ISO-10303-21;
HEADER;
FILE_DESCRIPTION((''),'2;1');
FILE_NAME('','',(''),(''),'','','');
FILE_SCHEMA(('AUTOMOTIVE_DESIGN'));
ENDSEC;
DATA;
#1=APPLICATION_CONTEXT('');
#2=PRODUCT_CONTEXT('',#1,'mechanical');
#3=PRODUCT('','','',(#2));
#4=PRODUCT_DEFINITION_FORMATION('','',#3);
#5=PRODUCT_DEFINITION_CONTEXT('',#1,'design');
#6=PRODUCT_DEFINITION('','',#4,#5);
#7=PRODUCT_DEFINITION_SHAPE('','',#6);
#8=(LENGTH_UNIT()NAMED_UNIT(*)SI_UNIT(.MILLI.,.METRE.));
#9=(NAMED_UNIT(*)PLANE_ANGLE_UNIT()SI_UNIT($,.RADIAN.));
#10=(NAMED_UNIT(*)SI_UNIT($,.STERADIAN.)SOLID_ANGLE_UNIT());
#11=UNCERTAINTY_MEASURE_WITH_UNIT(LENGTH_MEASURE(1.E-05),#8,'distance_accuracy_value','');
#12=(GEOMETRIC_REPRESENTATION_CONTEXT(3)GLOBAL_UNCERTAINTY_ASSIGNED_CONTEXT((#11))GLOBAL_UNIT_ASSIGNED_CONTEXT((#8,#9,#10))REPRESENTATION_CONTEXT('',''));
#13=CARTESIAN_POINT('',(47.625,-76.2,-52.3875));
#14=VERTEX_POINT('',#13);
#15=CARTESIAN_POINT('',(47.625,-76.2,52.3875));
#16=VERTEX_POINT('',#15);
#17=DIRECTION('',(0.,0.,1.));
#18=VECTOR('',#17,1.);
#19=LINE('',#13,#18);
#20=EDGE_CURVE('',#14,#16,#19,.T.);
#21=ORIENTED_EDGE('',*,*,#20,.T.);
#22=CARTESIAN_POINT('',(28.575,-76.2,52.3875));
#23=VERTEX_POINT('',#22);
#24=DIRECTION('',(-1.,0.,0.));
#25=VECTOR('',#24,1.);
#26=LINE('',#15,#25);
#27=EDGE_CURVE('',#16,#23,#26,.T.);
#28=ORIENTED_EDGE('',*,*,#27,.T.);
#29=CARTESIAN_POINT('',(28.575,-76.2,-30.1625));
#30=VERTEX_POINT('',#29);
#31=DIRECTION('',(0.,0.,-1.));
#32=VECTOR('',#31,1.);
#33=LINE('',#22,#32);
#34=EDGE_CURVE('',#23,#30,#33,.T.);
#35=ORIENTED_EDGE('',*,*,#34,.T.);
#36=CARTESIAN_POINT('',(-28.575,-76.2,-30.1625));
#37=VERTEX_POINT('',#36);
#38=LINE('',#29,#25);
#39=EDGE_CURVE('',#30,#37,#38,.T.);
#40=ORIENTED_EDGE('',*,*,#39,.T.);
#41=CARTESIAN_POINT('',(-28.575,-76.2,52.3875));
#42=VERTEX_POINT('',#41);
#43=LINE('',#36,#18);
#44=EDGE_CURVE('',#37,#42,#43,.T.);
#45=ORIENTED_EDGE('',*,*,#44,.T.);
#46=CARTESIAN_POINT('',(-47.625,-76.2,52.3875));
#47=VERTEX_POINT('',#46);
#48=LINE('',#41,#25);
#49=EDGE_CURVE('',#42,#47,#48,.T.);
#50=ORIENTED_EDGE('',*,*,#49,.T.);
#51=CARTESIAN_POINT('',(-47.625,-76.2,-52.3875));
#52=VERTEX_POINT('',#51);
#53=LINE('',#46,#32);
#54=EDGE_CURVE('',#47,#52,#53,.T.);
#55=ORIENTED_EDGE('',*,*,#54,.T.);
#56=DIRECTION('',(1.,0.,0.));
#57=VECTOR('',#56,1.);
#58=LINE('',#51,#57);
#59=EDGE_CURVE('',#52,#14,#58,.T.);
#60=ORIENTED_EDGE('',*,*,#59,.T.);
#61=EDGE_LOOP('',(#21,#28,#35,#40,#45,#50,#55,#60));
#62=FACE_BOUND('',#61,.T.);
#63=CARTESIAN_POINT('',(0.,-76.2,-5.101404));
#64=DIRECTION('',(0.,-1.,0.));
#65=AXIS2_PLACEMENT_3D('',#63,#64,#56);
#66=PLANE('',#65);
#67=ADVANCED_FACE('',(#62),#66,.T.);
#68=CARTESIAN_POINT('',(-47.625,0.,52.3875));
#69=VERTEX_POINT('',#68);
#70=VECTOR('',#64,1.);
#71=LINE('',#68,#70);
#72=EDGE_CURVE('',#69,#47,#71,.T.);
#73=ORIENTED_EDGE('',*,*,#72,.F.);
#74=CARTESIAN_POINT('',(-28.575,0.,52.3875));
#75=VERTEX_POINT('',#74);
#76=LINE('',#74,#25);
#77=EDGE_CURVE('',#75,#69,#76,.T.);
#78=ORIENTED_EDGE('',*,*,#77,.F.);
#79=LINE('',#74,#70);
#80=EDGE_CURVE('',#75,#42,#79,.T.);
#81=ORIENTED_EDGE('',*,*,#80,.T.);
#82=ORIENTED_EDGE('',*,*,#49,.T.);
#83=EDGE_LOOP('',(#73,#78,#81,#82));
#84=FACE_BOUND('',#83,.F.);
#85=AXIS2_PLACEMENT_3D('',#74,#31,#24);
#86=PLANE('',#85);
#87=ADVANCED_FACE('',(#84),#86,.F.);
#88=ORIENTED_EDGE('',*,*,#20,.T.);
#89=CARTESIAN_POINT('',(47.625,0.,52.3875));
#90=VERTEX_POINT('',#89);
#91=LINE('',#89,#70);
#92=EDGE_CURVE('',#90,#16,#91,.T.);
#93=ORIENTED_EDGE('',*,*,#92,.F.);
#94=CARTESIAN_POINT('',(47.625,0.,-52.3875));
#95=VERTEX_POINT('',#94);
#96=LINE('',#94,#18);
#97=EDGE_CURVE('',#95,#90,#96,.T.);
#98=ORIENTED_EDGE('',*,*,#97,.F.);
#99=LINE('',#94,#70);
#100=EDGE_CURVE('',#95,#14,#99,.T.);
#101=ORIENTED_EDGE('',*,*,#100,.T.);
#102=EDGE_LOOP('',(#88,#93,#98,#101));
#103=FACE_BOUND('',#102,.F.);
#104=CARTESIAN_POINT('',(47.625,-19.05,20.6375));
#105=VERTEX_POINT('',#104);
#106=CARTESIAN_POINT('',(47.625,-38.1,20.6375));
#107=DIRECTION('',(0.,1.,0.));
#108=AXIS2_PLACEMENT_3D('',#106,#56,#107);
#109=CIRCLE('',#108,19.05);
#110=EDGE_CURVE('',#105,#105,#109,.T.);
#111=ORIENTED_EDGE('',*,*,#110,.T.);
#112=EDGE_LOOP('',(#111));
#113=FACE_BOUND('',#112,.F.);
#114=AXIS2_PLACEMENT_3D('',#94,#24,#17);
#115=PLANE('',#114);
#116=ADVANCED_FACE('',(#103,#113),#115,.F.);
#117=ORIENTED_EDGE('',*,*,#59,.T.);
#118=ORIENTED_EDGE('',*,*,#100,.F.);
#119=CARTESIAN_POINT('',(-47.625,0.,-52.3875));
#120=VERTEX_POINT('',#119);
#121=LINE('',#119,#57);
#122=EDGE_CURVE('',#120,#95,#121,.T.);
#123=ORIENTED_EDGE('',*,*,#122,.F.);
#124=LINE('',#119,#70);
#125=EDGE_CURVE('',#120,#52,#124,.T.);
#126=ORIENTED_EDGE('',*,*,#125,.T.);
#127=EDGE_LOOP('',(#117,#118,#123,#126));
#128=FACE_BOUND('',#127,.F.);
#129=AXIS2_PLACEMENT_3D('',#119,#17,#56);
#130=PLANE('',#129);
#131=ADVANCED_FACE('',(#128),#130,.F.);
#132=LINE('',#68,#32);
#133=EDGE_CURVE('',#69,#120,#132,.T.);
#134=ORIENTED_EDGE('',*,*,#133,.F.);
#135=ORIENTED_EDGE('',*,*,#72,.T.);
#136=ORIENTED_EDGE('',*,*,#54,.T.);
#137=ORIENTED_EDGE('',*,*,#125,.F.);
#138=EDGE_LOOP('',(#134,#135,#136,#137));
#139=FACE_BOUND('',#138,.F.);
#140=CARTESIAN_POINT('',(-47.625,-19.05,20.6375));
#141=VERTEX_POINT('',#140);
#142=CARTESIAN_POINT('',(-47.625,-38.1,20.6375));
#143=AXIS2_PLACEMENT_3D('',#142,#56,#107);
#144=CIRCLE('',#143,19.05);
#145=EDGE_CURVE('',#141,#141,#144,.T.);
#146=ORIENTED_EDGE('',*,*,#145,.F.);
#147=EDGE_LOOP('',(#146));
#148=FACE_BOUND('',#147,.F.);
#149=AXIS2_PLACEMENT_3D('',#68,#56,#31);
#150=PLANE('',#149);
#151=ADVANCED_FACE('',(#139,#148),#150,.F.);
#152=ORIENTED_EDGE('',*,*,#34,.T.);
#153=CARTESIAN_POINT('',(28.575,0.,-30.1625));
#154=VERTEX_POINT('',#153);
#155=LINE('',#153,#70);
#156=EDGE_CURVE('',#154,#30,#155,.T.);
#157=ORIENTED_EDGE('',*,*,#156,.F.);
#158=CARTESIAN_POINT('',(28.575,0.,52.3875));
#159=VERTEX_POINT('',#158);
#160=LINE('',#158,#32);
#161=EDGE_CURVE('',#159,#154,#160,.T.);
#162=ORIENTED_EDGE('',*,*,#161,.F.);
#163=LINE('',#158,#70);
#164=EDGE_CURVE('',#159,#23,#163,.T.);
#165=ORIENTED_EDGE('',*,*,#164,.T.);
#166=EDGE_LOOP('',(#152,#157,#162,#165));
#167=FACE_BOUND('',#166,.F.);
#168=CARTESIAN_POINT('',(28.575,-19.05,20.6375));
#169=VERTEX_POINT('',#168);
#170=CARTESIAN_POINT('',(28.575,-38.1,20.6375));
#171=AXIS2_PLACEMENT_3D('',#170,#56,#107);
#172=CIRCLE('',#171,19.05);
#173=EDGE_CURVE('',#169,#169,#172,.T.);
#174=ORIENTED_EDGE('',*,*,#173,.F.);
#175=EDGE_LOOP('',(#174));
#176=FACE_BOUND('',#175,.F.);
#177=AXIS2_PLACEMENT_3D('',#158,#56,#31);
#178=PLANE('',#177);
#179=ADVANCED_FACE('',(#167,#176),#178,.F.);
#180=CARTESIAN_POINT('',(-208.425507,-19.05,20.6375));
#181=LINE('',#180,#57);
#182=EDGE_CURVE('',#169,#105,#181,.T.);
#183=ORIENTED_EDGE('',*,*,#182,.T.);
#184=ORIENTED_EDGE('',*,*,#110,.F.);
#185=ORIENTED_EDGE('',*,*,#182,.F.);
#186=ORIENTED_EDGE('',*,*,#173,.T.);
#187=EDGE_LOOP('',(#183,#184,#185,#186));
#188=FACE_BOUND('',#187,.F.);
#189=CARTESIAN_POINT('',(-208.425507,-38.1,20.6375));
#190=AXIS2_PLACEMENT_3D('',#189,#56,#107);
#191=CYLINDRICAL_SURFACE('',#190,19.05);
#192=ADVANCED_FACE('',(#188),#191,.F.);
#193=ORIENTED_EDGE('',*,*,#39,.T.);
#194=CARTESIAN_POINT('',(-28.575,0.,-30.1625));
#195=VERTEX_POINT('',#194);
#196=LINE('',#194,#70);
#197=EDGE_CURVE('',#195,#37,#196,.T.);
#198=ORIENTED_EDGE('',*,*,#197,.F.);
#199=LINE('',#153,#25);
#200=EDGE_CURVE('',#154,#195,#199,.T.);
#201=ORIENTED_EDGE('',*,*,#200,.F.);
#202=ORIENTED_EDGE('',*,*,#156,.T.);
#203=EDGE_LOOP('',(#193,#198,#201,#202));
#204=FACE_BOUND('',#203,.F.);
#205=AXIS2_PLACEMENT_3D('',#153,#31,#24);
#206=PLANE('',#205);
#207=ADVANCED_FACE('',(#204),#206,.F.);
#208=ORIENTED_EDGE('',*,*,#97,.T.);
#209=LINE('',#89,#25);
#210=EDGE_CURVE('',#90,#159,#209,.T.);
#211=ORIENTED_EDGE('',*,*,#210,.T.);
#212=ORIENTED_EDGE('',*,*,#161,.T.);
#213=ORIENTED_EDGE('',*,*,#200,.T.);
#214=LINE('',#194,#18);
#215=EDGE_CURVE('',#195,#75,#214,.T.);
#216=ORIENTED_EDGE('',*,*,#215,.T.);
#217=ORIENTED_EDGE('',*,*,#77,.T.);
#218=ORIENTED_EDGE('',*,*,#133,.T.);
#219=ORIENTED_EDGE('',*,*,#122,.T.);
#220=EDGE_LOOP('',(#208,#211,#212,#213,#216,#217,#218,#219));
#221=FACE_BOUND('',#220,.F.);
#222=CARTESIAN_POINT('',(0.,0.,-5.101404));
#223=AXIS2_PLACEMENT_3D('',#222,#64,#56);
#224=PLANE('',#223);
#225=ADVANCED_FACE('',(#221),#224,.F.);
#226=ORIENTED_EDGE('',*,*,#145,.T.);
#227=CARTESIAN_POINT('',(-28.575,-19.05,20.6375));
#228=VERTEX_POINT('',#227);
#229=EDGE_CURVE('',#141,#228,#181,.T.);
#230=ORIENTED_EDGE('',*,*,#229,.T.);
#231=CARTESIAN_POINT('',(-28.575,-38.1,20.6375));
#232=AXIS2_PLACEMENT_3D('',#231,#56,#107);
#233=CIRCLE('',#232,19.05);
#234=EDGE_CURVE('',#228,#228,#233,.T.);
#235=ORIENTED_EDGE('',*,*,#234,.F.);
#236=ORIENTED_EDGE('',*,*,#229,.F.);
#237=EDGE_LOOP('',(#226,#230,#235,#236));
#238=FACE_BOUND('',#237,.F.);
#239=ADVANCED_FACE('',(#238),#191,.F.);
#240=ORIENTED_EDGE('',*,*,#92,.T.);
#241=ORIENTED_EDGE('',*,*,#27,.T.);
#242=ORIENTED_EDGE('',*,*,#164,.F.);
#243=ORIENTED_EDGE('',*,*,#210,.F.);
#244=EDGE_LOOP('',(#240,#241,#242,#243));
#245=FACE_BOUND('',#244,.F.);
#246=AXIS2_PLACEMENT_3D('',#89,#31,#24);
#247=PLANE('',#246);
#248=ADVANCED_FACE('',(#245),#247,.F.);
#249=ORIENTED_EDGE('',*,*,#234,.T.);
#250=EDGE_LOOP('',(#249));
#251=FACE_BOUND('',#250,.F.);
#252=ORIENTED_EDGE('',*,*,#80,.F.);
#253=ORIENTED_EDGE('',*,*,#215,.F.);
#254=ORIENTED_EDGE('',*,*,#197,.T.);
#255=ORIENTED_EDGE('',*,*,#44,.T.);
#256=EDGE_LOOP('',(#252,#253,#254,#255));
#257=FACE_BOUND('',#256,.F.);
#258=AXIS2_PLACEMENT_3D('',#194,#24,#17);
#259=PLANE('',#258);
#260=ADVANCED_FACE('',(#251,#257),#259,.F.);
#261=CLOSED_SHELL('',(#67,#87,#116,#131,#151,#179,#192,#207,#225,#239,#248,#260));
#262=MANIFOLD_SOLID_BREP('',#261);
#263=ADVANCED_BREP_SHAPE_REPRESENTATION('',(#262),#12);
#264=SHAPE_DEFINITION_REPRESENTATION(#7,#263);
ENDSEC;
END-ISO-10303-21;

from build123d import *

# Parameters (mm, degrees)
F1_DEPTH = 76.2
F3_D     = 38.1


with BuildPart() as f1:
    # F0 (on Front) → F1 (new body)
    with BuildSketch(Plane.XZ):
        Polygon((-47.625, 52.3875), (-47.625, -52.3875), (47.625, -52.3875), (47.625, 52.3875), (28.575, 52.3875), (28.575, -30.1625), (-28.575, -30.1625), (-28.575, 52.3875), align=None)
    extrude(amount=F1_DEPTH)

    # F3 (through all)
    with Locations(Plane(origin=(-47.625, 0, 0), x_dir=(0, -1, 0), z_dir=(-1, 0, 0))):
        with Locations((38.1, 20.6375)):
            Hole(F3_D / 2)


solid = f1.part
